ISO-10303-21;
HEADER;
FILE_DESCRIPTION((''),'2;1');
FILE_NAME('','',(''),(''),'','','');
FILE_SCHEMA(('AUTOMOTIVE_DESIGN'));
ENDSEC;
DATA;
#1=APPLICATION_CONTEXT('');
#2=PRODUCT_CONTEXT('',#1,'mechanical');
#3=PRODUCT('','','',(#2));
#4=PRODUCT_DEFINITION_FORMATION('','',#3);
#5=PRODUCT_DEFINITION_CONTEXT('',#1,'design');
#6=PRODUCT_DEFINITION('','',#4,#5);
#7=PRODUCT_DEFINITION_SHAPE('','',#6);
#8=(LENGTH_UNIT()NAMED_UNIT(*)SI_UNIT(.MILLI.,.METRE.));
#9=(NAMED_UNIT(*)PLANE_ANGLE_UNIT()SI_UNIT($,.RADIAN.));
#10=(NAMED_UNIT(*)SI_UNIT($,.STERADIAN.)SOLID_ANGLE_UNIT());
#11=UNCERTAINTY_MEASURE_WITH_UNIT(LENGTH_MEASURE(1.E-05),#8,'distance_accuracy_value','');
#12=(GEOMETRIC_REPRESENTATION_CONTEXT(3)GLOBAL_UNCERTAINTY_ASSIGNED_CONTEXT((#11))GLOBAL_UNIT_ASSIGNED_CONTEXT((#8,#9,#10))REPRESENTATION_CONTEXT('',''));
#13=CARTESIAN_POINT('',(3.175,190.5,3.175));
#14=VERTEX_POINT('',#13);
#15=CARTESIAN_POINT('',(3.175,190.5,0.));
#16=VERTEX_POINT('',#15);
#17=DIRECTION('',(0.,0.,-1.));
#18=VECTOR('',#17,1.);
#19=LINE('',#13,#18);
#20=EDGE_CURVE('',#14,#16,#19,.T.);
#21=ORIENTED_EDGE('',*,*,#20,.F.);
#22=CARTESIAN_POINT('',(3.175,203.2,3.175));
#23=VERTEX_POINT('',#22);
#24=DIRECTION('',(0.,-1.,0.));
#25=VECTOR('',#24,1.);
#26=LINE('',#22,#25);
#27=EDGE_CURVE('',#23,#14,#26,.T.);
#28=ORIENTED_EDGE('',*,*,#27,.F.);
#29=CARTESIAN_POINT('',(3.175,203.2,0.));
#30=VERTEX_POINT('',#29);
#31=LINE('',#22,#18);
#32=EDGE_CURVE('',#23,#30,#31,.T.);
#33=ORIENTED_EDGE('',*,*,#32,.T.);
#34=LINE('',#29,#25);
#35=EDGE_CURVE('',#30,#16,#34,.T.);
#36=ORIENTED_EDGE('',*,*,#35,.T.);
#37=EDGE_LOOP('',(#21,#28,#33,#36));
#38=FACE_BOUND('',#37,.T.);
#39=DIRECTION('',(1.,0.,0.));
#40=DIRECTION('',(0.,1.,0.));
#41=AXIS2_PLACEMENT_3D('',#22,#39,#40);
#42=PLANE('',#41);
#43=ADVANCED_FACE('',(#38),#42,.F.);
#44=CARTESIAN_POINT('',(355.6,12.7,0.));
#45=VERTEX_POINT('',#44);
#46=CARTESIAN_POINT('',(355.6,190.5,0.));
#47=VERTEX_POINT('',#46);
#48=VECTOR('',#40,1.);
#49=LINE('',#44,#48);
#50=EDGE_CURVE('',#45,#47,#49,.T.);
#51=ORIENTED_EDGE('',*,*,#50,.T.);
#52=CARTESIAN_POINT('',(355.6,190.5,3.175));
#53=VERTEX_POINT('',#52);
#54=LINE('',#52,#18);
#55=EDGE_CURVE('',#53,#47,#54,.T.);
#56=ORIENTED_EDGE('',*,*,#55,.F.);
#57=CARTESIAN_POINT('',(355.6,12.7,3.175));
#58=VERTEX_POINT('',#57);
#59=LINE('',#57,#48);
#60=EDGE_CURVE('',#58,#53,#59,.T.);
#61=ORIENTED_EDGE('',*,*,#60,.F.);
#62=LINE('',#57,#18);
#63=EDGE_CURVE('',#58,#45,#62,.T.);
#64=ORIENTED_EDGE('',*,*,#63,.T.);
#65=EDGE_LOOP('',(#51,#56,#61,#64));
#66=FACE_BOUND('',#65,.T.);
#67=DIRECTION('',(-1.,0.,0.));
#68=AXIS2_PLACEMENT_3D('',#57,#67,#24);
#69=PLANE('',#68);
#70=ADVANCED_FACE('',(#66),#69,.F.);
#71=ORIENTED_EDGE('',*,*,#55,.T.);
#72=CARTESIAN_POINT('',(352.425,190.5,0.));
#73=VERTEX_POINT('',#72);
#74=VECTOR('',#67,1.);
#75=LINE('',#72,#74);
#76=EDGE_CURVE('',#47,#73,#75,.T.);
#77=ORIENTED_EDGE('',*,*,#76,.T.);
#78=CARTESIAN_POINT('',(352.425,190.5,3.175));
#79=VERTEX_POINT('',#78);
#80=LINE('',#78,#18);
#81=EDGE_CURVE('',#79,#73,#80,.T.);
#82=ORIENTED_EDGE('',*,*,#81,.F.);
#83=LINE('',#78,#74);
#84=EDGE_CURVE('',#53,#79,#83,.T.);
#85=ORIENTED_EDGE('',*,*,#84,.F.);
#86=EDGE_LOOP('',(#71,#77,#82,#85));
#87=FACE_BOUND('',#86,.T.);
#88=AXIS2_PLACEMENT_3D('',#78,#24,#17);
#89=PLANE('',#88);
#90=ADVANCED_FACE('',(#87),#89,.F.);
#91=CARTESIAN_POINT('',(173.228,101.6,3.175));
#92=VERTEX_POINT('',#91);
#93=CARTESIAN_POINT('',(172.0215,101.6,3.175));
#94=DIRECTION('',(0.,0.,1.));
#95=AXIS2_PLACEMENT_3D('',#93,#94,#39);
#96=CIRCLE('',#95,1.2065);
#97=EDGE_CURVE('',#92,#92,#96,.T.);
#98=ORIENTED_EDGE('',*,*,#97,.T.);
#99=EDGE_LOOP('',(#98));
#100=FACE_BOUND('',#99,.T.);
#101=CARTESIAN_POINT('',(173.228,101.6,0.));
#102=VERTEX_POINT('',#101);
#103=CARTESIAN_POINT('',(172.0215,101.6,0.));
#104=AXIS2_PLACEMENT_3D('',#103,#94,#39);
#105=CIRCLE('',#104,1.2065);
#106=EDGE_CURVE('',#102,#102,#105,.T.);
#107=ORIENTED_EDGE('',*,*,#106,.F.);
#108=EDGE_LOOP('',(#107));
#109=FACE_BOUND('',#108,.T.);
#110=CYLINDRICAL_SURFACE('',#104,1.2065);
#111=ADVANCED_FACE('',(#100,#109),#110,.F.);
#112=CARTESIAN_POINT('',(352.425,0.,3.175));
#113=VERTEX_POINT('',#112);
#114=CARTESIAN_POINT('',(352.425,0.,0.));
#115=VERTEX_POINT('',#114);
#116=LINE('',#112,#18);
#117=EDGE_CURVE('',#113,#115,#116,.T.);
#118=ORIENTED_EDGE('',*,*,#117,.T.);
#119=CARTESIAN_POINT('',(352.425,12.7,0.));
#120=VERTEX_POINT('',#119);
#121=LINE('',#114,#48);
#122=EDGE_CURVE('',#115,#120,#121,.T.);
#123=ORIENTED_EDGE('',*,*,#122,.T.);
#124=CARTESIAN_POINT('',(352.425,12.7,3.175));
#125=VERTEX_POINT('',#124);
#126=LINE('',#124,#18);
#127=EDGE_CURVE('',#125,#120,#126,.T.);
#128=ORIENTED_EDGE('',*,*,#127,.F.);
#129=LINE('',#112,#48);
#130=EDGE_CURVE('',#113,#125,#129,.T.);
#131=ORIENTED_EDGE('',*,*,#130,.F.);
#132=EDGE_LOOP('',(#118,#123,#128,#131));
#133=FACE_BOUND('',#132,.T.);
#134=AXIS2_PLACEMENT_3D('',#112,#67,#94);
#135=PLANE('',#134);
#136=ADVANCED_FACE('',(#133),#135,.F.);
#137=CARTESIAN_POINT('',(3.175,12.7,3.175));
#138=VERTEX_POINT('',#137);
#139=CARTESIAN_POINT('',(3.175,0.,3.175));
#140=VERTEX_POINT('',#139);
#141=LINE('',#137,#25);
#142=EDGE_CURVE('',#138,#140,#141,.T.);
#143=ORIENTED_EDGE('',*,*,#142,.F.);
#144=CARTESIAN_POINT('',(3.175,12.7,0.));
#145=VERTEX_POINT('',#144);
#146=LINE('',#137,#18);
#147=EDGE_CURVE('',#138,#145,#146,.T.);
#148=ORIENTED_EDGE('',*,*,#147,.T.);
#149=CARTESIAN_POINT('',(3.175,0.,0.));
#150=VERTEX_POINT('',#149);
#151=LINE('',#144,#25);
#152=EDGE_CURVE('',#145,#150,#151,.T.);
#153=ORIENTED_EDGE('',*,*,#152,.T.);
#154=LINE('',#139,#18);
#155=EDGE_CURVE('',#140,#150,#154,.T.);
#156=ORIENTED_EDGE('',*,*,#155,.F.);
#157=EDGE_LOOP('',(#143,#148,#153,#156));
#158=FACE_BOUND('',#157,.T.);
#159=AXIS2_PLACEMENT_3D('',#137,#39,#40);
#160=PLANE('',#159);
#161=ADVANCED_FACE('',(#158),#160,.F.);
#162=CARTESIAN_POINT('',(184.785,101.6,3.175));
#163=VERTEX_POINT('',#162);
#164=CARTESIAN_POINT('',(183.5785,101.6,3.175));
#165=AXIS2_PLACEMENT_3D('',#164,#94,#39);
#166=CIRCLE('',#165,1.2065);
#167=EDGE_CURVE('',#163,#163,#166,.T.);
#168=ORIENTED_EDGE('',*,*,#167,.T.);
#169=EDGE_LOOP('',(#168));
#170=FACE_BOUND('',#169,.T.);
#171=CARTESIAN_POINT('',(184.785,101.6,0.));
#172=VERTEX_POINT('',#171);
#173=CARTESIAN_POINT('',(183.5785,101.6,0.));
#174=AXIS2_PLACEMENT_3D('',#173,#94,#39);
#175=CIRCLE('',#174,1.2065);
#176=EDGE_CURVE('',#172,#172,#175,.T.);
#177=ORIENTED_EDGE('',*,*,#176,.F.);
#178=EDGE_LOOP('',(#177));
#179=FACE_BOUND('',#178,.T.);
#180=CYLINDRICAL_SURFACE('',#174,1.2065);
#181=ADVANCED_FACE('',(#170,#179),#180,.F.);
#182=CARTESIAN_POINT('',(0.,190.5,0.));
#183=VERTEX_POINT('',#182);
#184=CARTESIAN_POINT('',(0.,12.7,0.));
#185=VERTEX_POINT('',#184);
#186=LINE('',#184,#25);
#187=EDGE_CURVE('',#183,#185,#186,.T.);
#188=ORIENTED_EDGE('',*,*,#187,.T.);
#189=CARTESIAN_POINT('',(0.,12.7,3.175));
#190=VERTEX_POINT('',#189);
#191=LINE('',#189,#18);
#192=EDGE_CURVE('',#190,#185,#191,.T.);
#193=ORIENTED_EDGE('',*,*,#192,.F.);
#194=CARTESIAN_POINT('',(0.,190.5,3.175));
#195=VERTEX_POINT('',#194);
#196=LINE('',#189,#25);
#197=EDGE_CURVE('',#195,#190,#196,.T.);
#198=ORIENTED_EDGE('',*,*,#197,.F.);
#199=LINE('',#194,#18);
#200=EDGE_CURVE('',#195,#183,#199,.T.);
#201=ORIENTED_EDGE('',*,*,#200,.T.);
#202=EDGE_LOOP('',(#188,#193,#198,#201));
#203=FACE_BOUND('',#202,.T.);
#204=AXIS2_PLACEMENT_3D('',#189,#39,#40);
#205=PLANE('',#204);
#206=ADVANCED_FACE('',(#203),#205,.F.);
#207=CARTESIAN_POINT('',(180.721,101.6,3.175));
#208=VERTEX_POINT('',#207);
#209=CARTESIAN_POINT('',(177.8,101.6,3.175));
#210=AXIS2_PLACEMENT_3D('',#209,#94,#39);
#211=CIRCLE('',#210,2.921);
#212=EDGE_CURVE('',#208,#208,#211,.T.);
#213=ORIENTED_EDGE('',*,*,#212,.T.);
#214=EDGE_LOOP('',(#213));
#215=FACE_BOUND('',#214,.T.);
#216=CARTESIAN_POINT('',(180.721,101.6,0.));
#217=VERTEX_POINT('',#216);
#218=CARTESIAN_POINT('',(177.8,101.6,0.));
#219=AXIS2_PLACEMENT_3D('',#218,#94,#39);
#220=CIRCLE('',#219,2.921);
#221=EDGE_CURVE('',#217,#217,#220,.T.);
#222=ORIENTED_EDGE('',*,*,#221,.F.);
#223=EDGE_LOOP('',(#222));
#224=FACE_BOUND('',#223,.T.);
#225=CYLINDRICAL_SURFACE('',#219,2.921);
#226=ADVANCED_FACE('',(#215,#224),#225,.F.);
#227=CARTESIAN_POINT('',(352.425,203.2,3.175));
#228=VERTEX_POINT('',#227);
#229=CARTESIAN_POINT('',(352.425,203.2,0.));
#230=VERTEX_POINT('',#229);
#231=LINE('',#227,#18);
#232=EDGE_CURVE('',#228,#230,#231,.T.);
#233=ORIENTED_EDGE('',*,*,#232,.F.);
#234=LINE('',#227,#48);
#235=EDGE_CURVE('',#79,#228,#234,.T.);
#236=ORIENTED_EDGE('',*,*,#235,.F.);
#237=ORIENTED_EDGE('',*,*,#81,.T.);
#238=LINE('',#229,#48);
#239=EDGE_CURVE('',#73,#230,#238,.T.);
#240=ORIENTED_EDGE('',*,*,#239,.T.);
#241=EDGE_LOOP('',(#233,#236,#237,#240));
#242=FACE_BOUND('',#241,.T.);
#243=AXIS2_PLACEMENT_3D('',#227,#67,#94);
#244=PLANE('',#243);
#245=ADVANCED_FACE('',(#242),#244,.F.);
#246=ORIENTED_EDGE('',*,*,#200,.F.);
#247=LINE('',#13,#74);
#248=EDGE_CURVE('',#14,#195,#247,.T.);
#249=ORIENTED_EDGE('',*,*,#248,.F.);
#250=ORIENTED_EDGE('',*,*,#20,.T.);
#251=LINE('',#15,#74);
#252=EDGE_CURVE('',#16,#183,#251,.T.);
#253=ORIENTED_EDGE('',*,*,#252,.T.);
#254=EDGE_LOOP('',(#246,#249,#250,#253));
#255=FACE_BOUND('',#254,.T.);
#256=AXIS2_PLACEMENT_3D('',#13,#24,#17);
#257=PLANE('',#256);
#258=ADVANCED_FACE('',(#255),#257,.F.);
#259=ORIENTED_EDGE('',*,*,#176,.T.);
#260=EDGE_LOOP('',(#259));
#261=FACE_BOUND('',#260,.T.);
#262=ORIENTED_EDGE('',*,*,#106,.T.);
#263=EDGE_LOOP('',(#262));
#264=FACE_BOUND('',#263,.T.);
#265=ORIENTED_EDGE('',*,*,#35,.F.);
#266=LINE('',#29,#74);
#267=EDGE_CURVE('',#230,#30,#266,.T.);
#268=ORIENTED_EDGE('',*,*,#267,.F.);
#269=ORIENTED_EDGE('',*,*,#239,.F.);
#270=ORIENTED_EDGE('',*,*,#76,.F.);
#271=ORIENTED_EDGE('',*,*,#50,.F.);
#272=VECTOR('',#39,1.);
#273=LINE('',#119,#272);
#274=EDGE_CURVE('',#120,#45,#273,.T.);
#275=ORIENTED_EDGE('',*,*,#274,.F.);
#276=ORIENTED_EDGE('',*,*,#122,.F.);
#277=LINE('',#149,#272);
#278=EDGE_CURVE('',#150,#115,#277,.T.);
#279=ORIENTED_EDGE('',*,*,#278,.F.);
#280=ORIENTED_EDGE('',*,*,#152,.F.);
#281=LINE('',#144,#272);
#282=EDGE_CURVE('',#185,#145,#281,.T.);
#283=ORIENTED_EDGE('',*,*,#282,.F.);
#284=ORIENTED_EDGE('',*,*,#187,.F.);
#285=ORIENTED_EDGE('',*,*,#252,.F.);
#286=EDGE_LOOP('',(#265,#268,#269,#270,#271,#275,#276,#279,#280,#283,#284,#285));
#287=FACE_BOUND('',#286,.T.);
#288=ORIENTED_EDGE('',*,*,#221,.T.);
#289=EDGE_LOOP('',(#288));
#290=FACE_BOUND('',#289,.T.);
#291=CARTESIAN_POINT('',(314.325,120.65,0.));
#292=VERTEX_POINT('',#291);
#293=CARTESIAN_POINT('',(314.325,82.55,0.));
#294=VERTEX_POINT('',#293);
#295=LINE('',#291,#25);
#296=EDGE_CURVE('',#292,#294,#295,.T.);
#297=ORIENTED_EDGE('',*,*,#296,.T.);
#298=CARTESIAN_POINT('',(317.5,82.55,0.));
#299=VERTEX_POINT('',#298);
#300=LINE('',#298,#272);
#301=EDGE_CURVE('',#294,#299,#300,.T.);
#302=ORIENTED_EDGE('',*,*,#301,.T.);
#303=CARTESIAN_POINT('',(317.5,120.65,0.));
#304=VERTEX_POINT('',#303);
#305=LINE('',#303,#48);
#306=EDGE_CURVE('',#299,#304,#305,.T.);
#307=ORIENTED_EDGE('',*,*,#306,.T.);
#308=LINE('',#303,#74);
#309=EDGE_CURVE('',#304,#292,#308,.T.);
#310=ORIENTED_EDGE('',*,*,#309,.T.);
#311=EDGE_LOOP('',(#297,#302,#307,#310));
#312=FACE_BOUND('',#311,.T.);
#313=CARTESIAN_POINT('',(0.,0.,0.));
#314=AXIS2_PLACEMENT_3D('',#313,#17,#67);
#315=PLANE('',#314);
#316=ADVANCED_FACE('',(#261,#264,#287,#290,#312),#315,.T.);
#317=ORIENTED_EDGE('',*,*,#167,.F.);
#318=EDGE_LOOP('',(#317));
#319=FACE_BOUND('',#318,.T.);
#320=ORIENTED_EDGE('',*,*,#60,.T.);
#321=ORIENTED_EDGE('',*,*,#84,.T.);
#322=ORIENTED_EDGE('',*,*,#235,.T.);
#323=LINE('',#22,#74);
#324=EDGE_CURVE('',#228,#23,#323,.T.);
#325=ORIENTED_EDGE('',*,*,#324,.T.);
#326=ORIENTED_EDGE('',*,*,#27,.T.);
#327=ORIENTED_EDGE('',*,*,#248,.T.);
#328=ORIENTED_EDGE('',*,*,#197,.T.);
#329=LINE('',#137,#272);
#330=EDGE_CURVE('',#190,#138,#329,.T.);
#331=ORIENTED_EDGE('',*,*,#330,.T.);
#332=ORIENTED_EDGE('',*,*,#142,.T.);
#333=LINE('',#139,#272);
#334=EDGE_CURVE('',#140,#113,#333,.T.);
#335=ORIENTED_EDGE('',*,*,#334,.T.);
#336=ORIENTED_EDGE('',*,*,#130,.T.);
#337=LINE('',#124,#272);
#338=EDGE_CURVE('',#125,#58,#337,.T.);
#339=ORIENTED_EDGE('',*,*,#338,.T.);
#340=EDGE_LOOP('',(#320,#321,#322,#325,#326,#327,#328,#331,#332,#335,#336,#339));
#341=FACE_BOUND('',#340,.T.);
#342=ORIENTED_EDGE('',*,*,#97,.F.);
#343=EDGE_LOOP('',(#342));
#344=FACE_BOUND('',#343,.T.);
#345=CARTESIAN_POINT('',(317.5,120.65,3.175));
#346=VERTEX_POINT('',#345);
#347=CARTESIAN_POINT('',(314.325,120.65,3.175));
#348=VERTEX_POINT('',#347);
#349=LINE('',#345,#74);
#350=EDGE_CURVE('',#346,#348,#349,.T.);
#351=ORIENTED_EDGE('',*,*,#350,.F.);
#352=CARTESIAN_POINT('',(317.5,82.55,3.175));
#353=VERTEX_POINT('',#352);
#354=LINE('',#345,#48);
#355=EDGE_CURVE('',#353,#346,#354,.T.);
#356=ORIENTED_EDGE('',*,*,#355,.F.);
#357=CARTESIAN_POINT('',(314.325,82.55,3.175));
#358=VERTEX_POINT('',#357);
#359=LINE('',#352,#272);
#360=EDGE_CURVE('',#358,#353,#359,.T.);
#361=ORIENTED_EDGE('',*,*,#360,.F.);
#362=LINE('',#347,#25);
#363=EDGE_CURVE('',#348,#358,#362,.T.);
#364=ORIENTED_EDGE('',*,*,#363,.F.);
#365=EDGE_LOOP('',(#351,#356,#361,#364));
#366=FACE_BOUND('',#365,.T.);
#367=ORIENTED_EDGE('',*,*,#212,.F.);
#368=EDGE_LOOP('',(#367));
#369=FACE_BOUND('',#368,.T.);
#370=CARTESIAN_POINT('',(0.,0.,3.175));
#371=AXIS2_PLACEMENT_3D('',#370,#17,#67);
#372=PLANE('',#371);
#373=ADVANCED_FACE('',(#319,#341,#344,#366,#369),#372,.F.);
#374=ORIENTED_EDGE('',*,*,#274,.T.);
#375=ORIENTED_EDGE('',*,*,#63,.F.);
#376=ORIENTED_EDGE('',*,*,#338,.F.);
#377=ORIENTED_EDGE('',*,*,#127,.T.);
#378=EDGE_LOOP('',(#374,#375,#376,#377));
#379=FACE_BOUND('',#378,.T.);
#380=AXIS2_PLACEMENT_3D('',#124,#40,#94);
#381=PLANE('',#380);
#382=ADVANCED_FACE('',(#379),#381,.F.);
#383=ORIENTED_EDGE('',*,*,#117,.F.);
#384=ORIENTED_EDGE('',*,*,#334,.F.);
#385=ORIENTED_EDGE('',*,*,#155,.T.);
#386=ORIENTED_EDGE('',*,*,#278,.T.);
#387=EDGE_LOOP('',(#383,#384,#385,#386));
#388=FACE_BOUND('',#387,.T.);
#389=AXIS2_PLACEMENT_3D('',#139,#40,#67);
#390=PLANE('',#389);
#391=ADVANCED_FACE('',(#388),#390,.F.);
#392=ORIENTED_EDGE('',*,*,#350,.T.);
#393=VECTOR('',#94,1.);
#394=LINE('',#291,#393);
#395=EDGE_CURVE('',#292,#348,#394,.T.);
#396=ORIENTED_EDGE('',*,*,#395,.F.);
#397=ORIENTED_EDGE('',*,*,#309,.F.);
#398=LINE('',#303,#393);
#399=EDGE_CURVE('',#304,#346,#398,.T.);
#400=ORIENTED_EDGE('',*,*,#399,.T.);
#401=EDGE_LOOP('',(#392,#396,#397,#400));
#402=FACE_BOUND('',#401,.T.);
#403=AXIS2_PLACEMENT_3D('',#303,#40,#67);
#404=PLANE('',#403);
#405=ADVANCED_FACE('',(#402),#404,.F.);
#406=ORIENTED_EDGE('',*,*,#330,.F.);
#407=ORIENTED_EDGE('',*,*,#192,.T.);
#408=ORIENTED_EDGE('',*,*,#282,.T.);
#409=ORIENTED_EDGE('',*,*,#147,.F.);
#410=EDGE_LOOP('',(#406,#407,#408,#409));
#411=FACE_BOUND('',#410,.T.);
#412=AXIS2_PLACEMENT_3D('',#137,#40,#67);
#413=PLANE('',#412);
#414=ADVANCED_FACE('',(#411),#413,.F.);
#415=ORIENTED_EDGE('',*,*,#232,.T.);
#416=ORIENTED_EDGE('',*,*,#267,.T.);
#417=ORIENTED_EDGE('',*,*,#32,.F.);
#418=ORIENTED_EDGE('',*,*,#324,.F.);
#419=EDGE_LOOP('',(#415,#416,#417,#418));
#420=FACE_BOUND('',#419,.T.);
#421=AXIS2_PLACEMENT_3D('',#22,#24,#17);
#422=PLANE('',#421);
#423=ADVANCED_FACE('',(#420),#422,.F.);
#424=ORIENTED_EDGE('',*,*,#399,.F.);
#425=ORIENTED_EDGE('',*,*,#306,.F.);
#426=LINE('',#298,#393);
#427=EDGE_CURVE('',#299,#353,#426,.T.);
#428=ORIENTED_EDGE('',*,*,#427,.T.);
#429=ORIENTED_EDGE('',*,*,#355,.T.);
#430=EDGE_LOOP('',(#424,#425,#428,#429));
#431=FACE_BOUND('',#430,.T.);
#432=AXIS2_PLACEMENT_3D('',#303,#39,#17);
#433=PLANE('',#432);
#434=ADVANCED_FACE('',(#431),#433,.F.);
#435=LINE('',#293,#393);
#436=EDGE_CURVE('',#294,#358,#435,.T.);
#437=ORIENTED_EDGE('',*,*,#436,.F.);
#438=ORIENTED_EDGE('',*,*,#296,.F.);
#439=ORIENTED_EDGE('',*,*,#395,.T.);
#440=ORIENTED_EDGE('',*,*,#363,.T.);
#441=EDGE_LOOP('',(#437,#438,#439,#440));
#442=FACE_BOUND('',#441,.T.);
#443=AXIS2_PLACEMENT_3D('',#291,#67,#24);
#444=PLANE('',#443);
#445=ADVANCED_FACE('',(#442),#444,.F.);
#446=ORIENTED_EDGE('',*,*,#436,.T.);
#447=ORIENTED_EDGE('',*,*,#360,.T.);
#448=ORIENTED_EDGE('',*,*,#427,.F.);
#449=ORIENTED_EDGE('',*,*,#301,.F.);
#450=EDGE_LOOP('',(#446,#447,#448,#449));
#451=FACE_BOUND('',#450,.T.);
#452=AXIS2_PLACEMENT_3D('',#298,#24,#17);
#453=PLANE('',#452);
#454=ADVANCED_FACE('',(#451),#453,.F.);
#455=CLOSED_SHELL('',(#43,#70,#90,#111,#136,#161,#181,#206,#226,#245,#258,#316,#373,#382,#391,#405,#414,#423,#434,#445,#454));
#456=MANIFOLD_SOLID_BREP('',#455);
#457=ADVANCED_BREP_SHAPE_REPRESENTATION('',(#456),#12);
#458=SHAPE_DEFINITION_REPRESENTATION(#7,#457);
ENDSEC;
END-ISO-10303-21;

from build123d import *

# Parameters (mm, degrees)
SHELF_DEPTH              = 3.175
TILT_MOUNT_SLOT_SKETCH_W = 3.175
TILT_MOUNT_SLOT_SKETCH_H = 38.1
TILT_MOUNT_SLOT_DEPTH    = 4.175
SKETCH2_R                = 2.921
SKETCH2_R_2              = 1.2065
CUT_EXTRUDE1_DEPTH       = 4.175


with BuildPart() as part:
    # Sketch1 → Shelf (new body)
    with BuildSketch(Plane.XY):
        Polygon((3.175, 203.2), (3.175, 190.5), (0, 190.5), (0, 12.7), (3.175, 12.7), (3.175, 0), (352.425, 0), (352.425, 12.7), (355.6, 12.7), (355.6, 190.5), (352.425, 190.5), (352.425, 203.2), align=None)
    extrude(amount=SHELF_DEPTH)

    # Tilt mount slot sketch → Tilt Mount Slot (cut, through all)
    with BuildSketch(Plane.XY.offset(3.175)):
        with Locations((315.9125, 101.6)):
            Rectangle(TILT_MOUNT_SLOT_SKETCH_W, TILT_MOUNT_SLOT_SKETCH_H)
    extrude(amount=-TILT_MOUNT_SLOT_DEPTH, mode=Mode.SUBTRACT)

    # Sketch2 → Cut-Extrude1 (cut, through all)
    with BuildSketch(Plane.XY.offset(3.175)):
        with Locations((177.8, 101.6)):
            Circle(SKETCH2_R)
        with Locations((183.5785, 101.6)):
            Circle(SKETCH2_R_2)
        with Locations((172.0215, 101.6)):
            Circle(SKETCH2_R_2)
    extrude(amount=-CUT_EXTRUDE1_DEPTH, mode=Mode.SUBTRACT)


solid = part.part
